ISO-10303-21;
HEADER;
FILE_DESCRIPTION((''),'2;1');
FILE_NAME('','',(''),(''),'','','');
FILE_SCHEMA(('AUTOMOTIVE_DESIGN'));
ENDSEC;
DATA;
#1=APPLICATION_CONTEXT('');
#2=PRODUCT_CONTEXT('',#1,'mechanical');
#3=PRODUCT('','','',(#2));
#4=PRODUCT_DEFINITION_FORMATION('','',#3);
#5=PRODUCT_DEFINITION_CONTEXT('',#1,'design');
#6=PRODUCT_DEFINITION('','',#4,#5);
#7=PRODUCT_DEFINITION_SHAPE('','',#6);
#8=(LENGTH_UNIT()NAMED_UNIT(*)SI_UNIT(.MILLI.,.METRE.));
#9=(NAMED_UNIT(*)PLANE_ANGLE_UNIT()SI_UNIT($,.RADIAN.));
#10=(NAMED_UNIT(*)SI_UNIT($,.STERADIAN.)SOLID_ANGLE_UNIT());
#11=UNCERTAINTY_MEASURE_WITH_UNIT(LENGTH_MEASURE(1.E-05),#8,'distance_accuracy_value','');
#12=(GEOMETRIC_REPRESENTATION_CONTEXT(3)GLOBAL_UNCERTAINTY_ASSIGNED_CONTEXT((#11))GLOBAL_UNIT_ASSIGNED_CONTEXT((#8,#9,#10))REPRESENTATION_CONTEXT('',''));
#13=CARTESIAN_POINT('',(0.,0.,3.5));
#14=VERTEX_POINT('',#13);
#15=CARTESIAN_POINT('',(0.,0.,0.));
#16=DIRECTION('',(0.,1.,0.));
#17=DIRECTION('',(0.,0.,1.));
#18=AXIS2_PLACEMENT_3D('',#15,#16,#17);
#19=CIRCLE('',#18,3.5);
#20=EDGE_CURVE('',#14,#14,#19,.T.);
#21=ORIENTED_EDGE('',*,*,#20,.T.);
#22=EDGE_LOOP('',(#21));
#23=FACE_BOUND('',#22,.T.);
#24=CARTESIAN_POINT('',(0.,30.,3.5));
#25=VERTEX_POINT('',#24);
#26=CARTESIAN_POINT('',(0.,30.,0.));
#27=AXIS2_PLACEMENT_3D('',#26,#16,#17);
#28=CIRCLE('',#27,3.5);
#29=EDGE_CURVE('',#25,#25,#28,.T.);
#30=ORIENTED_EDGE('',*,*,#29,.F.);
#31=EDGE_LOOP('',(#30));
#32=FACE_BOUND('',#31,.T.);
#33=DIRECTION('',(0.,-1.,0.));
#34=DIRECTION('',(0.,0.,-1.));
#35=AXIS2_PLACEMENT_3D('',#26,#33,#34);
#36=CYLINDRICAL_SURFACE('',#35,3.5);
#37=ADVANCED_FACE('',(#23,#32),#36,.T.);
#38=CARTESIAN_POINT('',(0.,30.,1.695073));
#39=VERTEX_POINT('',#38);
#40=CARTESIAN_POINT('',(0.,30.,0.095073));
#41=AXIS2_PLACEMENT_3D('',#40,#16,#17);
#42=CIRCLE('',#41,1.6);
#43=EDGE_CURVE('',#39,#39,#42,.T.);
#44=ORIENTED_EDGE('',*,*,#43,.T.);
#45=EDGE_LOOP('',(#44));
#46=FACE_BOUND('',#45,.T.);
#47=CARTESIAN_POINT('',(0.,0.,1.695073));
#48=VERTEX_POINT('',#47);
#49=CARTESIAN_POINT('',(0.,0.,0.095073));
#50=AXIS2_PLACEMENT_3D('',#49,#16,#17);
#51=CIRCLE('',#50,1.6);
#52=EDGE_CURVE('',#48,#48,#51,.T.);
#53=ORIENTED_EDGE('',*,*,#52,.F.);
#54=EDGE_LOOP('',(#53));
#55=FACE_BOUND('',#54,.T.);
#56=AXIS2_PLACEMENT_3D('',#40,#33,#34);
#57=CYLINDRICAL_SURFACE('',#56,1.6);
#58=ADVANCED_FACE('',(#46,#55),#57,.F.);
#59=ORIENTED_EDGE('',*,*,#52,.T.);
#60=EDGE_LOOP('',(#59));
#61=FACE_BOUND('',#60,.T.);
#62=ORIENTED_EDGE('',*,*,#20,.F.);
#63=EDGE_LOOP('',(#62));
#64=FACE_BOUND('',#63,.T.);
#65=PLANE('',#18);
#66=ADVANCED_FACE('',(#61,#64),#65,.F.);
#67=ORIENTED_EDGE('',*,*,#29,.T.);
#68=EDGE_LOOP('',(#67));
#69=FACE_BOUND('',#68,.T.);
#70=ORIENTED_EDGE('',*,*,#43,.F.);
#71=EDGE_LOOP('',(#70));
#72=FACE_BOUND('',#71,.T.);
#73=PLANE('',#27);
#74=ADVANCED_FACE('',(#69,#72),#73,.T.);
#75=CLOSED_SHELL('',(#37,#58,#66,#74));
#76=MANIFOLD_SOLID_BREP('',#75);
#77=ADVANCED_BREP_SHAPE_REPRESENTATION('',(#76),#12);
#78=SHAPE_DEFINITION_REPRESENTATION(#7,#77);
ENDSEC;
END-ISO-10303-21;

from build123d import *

# Parameters (mm, degrees)
SKETCH1_R           = 3.5
SKETCH1_R_2         = 1.6
BOSS_EXTRUDE1_DEPTH = 30


with BuildPart() as part:
    # Sketch1 → Boss-Extrude1 (new body)
    with BuildSketch(Plane(origin=(0, 0, 0), x_dir=(1, 0, 0), z_dir=(0, 1, 0))):
        Circle(SKETCH1_R)
        with Locations((0, -0.095073122)):
            Circle(SKETCH1_R_2, mode=Mode.SUBTRACT)
    extrude(amount=BOSS_EXTRUDE1_DEPTH)


solid = part.part
